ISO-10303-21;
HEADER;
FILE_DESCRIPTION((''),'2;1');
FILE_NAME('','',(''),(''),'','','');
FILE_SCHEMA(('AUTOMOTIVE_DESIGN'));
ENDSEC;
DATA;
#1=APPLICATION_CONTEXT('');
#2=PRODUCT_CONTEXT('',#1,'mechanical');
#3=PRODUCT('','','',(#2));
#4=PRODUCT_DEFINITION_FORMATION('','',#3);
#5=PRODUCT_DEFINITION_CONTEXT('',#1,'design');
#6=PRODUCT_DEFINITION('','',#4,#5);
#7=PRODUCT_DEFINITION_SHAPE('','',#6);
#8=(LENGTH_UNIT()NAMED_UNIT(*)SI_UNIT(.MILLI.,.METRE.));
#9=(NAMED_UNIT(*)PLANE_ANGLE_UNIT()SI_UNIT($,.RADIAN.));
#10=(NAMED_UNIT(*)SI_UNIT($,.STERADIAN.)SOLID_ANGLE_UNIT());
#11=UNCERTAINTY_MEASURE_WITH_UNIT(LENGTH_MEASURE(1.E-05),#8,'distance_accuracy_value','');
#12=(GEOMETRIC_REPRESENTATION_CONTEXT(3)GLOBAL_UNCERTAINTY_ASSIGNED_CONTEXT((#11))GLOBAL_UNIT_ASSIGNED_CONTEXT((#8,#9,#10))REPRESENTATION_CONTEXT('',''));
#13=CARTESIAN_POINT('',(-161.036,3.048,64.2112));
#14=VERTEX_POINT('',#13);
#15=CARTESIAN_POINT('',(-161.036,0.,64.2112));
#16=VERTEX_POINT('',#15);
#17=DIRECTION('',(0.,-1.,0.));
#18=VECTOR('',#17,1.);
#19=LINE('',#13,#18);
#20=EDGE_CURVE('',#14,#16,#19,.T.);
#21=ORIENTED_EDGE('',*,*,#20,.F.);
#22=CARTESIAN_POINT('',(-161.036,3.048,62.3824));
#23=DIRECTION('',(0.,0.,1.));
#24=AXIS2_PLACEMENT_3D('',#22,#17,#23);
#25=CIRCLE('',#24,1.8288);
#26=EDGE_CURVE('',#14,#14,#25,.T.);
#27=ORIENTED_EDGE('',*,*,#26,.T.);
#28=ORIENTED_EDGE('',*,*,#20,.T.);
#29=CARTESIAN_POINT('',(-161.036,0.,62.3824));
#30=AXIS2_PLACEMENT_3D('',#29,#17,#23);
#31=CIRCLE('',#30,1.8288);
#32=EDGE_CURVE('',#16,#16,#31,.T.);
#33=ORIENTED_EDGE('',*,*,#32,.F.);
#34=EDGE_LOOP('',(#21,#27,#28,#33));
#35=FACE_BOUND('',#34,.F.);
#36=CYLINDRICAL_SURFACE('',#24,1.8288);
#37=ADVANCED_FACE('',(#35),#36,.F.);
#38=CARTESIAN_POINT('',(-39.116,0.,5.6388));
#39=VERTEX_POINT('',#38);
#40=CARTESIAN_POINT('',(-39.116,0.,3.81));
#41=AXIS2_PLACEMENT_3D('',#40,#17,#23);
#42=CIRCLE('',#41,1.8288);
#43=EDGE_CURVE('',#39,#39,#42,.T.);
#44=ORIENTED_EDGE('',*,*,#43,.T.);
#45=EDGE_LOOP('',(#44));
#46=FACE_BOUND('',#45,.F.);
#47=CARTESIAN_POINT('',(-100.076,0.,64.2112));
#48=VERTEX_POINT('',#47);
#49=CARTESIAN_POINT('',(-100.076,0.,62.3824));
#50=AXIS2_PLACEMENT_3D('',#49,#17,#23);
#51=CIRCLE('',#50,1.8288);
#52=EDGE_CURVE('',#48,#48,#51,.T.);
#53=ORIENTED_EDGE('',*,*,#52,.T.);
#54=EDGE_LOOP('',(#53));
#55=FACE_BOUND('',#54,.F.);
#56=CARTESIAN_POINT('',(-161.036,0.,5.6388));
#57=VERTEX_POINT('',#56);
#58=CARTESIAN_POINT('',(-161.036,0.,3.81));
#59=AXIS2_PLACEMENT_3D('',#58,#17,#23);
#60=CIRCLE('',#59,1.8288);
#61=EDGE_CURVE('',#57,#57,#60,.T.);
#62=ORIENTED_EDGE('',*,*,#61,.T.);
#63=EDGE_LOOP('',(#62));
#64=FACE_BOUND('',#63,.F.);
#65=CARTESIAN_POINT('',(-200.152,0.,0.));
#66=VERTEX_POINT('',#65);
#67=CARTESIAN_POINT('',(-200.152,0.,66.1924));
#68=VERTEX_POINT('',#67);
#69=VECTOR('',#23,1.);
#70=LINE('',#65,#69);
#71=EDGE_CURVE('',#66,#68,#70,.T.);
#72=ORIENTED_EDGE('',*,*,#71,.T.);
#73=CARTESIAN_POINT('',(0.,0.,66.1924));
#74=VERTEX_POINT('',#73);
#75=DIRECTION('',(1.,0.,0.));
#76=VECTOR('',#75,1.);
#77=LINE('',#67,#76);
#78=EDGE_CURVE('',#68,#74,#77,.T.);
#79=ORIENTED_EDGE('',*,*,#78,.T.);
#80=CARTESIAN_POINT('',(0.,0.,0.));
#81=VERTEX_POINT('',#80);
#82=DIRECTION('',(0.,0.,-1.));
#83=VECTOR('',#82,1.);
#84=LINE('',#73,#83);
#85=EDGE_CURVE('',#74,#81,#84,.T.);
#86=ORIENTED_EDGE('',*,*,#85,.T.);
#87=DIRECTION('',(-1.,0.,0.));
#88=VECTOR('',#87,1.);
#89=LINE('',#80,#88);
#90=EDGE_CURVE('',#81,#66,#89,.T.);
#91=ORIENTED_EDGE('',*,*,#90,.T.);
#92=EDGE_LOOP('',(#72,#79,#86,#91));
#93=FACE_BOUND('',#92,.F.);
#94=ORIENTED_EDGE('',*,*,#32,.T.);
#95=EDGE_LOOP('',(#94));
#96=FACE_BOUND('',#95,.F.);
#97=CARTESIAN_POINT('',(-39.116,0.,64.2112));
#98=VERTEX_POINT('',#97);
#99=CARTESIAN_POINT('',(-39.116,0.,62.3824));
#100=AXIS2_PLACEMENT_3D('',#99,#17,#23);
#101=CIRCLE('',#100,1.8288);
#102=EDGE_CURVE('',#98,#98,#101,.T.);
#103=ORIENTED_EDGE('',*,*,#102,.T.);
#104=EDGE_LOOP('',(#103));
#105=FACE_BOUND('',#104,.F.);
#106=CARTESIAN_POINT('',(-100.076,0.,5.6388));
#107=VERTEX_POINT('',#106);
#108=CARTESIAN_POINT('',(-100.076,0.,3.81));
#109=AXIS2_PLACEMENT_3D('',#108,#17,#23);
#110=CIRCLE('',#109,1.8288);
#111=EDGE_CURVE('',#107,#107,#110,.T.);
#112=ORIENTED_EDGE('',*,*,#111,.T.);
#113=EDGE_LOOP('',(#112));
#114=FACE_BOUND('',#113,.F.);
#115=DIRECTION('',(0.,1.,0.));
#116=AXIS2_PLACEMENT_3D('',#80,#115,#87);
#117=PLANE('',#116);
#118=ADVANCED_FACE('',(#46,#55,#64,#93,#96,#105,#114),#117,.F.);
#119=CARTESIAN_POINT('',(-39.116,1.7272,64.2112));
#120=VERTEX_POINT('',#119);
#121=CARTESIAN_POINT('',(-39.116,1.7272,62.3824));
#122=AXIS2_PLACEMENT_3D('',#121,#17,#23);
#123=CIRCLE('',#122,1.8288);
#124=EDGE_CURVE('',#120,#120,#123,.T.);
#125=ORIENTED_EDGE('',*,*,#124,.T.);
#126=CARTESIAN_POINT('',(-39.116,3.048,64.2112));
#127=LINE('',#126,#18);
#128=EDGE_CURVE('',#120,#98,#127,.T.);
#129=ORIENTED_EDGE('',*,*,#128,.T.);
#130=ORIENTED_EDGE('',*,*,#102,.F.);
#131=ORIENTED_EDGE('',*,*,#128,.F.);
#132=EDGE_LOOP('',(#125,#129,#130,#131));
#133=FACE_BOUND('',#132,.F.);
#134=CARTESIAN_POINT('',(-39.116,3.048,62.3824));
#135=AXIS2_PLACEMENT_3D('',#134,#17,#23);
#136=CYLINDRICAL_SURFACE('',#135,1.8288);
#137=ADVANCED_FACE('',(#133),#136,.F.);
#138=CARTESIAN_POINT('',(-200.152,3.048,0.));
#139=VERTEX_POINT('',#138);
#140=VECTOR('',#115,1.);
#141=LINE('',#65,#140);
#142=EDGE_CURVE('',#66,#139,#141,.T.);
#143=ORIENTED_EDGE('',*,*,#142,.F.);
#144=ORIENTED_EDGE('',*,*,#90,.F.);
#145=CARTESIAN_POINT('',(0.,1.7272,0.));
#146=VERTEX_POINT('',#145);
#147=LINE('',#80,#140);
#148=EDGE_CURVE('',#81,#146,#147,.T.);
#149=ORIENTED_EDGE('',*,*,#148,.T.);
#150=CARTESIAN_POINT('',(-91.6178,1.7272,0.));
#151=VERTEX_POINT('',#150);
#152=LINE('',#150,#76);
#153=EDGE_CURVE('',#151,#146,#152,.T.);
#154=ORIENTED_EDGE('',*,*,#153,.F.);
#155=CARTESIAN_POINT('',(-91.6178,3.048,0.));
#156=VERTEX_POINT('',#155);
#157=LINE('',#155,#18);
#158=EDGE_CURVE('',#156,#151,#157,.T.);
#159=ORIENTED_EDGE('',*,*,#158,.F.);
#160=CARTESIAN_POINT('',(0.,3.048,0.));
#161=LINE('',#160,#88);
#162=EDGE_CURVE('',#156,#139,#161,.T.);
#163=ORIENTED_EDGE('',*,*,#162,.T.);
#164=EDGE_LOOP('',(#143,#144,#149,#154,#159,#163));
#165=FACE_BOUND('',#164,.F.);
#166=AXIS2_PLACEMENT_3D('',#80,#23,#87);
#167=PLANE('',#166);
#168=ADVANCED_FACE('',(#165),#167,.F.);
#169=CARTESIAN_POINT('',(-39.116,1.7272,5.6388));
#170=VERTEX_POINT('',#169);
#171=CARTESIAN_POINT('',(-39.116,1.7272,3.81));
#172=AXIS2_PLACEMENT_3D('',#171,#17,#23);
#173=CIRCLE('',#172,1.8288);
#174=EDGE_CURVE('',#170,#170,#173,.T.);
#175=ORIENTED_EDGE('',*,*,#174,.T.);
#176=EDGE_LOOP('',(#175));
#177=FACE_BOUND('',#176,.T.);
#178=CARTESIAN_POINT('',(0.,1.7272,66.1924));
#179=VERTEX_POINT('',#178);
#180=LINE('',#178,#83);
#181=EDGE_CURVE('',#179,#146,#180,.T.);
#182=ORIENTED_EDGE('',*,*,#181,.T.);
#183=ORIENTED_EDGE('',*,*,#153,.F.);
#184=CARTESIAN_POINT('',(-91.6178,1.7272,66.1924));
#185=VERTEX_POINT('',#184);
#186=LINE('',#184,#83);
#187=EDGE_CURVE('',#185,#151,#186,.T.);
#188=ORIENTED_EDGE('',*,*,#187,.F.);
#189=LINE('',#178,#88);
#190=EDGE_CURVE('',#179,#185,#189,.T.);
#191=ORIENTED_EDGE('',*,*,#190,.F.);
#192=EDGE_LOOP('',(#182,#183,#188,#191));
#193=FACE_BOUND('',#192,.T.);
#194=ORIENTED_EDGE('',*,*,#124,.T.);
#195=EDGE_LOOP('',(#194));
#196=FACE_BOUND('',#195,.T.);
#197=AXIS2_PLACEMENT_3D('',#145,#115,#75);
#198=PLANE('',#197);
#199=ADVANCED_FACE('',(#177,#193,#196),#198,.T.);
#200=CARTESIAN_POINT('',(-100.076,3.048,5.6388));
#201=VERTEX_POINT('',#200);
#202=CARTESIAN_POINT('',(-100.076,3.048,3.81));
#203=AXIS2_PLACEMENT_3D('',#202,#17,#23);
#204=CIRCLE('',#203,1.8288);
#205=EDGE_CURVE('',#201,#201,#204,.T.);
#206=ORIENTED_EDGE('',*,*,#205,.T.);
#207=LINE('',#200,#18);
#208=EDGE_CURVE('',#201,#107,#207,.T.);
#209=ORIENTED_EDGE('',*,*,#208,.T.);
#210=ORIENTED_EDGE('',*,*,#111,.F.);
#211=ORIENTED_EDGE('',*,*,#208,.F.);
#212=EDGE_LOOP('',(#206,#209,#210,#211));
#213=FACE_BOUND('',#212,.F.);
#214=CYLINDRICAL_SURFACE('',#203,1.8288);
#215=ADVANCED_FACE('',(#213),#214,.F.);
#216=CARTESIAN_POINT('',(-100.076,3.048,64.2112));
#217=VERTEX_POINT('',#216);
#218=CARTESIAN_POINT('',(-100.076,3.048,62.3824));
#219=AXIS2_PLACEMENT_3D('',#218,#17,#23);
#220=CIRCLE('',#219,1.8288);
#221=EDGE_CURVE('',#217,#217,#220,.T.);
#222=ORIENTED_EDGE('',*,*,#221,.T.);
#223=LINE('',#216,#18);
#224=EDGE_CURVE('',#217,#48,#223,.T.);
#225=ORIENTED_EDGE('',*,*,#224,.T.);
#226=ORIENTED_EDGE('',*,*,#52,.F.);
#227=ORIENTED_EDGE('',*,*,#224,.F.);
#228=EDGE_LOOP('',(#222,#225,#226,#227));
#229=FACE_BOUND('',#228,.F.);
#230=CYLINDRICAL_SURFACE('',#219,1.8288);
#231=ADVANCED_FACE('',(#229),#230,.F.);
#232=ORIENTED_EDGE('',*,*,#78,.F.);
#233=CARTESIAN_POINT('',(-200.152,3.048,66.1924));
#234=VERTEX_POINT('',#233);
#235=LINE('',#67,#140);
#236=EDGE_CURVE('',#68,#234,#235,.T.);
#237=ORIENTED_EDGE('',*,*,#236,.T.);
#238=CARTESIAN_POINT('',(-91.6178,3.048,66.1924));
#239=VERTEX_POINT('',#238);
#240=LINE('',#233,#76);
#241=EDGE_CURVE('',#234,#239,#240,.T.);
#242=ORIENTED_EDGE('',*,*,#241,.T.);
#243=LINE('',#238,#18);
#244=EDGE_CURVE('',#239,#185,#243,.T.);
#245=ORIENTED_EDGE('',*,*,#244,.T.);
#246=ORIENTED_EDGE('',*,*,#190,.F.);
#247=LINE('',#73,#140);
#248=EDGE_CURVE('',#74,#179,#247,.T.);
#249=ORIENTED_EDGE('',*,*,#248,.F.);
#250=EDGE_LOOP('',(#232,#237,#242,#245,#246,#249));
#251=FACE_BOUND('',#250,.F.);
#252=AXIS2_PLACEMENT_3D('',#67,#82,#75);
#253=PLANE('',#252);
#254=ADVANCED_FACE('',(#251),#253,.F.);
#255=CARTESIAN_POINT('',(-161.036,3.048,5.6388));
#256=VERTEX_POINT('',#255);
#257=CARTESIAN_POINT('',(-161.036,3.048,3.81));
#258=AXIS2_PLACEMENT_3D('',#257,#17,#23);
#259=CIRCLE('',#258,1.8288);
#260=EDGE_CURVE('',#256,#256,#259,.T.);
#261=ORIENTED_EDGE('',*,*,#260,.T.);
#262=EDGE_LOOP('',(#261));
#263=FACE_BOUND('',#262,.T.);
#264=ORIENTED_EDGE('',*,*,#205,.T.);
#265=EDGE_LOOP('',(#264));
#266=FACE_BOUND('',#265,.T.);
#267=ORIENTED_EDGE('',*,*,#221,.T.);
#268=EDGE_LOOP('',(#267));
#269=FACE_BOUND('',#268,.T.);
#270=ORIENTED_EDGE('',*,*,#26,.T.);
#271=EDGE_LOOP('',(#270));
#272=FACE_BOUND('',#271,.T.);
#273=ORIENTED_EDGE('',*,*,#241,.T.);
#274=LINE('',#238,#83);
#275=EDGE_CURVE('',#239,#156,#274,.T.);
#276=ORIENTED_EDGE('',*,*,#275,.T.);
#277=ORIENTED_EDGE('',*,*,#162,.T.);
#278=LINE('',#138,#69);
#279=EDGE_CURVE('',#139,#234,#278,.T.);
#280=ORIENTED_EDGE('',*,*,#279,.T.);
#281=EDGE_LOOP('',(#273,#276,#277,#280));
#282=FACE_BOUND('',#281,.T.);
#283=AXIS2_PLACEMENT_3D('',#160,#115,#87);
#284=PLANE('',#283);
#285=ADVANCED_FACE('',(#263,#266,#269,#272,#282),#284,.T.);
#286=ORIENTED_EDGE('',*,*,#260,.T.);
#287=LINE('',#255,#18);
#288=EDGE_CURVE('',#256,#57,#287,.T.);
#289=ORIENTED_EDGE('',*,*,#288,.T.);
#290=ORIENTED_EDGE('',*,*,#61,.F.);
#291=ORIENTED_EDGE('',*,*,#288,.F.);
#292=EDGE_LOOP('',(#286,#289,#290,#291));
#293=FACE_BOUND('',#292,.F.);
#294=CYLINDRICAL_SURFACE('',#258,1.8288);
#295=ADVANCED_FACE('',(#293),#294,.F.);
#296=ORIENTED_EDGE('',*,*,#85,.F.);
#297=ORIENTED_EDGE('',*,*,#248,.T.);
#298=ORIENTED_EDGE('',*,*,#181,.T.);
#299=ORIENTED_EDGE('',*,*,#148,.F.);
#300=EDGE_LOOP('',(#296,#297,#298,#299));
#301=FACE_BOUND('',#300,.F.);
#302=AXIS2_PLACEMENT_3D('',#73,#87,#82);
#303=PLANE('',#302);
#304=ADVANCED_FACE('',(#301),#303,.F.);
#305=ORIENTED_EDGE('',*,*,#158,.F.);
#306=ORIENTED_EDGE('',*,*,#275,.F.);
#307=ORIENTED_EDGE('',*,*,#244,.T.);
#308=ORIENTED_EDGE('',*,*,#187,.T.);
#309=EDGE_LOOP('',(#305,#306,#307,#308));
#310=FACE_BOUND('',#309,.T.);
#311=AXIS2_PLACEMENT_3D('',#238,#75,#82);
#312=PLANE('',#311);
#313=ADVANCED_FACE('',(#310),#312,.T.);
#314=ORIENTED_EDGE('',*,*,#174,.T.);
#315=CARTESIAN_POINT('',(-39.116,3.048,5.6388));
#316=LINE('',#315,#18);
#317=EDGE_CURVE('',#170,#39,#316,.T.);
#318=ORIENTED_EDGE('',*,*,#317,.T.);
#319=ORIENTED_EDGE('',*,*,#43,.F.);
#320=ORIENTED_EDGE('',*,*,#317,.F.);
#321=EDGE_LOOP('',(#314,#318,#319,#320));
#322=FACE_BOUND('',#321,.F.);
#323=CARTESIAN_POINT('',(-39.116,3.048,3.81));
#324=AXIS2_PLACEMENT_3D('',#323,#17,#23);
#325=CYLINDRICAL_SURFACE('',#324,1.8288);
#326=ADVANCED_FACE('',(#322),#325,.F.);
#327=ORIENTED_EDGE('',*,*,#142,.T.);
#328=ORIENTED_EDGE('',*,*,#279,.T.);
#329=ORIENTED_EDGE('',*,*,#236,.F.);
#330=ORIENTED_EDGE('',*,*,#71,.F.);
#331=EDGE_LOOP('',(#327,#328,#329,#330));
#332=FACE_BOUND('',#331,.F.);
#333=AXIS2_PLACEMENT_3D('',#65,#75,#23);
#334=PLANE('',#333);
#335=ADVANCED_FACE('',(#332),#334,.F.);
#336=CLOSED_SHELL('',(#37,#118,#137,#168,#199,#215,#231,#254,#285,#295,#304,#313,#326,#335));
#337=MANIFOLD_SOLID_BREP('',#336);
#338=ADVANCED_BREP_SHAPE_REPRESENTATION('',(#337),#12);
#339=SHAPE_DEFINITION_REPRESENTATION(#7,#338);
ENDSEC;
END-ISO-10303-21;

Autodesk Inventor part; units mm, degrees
ref_plane "YZ Plane" through (0, 0, 0) normal (1, 0, 0) x (0, 1, 0)
ref_plane "XZ Plane" through (0, 0, 0) normal (0, 1, 0) x (-1, 0, 0)
ref_plane "XY Plane" through (0, 0, 0) normal (0, 0, 1) x (1, 0, 0)
sketch "Sketch1" plane through (0, 0, 0) normal (0, 1, 0) x (-1, 0, 0)
  line L0 (0, 0) -> (200.152, 0)
  line L1 (200.152, 0) -> (200.152, 66.1924)
  line L2 (200.152, 66.1924) -> (0, 66.1924)
  line L3 (0, 66.1924) -> (0, 0)
  dimension "d0" = 66.1924
  dimension "d1" = 200.152
extrude "Extrusion1" add sketch "Sketch1" along normal blind 3.048
sketch "Sketch2" plane through (0, 3.048, 0) normal (0, 1, 0) x (1, 0, 0)
  line L0 (-200.152, -66.1924) -> (0, -66.1924) projected
  line L1 (-100.076, -66.1924) -> (-100.076, 0) construction
  line L2 (0, 0) -> (-200.152, 0) projected
  point P0 (-100.076, -62.3824)
  point P1 (-100.076, -3.81)
  point P2 (-39.116, -62.3824)
  point P3 (-39.116, -3.81)
  point P4 (-161.036, -3.81)
  point P5 (-161.036, -62.3824)
  dimension "d4" = 3.81
  dimension "d5" = 3.81
  dimension "d6" = 60.96
  dimension "d7" = 60.96
hole "Hole1" at (-100.076, 3.048, 62.3824) at (-100.076, 3.048, 3.81) at (-39.116, 3.048, 62.3824) at (-39.116, 3.048, 3.81) at (-161.036, 3.048, 3.81) at (-161.036, 3.048, 62.3824) direction (0, -1, 0) diameter 3.6576 end through all
sketch "Sketch3" plane through (0, 3.048, 0) normal (0, 1, 0) x (1, 0, 0)
  line L0 (0, -66.1924) -> (0, 0) projected
  line L1 (0, -66.1924) -> (-91.6178, -66.1924)
  line L2 (-91.6178, -66.1924) -> (-91.6178, 0)
  line L3 (-91.6178, 0) -> (0, 0)
  line L4 (0, 0) -> (0, -66.1924)
  line L5 (0, 0) -> (-200.152, 0) projected
  point P0 (-100.076, 0)
  dimension "d15" = 8.4582
extrude "Extrusion2" cut sketch "Sketch3" against normal blind 1.3208
properties part number "TopLayerPlate"
